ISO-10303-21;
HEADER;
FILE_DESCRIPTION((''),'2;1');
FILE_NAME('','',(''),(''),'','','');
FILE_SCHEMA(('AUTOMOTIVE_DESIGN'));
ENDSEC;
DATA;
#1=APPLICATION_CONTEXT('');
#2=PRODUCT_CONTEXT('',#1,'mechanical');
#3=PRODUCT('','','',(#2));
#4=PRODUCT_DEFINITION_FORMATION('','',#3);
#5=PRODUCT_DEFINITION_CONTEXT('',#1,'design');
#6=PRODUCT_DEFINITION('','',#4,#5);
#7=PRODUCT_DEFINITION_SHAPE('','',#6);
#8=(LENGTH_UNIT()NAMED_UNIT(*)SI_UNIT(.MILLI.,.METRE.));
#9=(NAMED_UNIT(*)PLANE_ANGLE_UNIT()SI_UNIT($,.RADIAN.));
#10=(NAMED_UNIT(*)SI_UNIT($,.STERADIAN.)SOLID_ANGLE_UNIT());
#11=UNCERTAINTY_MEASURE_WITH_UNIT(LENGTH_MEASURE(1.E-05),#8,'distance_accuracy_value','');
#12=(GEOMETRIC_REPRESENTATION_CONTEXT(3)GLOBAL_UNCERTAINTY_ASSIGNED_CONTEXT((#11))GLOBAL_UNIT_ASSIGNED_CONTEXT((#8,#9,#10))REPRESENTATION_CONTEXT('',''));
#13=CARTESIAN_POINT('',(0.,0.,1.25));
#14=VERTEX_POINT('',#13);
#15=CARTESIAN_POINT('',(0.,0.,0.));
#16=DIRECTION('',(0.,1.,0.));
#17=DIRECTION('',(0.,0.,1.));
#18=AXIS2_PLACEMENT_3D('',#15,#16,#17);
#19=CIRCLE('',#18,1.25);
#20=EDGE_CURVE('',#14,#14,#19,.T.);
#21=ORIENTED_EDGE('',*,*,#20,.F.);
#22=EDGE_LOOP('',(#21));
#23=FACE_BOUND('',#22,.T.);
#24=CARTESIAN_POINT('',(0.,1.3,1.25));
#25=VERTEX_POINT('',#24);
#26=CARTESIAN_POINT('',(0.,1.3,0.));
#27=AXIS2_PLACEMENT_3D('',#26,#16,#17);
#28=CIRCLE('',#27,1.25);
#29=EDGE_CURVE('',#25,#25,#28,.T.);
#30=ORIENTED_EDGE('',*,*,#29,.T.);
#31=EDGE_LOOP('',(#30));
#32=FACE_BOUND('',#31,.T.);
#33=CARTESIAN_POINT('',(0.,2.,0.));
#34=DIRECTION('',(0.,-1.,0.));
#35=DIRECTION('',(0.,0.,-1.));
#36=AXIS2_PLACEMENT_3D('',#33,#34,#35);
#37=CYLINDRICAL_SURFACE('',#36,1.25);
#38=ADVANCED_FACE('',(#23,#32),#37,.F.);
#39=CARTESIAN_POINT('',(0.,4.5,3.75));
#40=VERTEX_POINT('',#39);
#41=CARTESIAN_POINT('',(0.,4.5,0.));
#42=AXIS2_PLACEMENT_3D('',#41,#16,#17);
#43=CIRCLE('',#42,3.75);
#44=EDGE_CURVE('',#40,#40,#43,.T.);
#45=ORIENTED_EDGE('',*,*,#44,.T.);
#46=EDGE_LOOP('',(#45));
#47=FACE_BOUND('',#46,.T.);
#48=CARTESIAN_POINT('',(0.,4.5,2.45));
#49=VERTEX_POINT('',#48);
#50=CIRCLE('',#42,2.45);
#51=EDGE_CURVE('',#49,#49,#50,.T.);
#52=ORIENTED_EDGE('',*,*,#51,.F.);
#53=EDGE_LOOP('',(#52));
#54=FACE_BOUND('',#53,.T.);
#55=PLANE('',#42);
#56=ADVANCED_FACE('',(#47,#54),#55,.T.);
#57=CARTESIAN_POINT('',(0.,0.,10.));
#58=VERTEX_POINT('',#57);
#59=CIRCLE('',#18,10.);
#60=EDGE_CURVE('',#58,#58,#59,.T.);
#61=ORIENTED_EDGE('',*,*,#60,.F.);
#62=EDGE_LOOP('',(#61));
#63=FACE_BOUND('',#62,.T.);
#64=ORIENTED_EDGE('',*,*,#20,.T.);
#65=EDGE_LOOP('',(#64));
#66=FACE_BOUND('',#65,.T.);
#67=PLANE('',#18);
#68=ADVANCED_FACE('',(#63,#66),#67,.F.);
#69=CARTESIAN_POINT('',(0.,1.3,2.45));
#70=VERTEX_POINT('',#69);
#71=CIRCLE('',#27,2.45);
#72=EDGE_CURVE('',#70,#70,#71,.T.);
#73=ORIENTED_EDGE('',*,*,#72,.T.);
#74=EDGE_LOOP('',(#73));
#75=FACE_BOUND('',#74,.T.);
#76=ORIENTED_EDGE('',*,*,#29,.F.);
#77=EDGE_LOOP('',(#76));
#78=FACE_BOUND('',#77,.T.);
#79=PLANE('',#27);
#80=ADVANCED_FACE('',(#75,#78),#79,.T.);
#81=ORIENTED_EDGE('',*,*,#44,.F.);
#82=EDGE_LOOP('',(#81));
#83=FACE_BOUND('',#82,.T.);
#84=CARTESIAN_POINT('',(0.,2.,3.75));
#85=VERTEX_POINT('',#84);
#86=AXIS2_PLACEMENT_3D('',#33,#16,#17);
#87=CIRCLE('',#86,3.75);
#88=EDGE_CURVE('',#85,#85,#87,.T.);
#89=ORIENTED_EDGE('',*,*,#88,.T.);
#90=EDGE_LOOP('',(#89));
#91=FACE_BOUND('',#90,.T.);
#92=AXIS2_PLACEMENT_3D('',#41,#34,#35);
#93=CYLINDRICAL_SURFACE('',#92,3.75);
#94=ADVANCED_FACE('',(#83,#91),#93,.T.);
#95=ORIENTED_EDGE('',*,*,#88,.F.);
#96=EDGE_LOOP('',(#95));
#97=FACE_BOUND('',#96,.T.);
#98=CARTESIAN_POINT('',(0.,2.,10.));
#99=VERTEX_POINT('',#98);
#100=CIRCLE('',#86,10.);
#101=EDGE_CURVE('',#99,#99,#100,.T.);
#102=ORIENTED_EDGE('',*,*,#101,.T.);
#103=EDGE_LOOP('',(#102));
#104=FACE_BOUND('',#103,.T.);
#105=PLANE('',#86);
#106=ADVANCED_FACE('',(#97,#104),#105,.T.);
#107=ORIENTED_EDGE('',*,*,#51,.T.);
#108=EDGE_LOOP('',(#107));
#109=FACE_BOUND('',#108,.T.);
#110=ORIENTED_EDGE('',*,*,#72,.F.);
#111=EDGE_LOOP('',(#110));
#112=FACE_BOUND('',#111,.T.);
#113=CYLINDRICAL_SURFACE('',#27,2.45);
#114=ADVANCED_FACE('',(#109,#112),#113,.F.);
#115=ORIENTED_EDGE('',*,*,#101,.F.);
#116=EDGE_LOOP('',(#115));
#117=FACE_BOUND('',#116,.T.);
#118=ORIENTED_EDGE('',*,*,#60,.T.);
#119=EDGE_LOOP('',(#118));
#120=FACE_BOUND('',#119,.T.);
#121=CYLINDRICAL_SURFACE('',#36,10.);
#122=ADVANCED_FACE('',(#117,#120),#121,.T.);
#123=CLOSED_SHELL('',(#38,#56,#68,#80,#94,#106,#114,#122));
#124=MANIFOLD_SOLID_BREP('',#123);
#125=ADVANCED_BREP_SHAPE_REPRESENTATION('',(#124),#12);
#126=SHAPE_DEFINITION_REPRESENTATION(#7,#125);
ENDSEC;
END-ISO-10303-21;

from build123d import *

# Parameters (mm, degrees)
SKETCH_1_R          = 10
SKETCH_1_R_2        = 1.25
EXTRUDE_1_DEPTH     = 2
SKETCH_2_R          = 3.75
EXTRUDE_2_DEPTH     = 2.5
SKETCH_4_R          = 2.45
CUT_EXTRUDE_1_DEPTH = 3.2


with BuildPart() as part:
    # 草图1 → 凸台-拉伸1 (new body)
    with BuildSketch(Plane(origin=(0, 0, 0), x_dir=(1, 0, 0), z_dir=(0, 1, 0))):
        with Locations(Location((0, 0, 0), (0, 0, 270))):
            Circle(SKETCH_1_R)
        with Locations(Location((0, 0, 0), (0, 0, 270))):
            Circle(SKETCH_1_R_2, mode=Mode.SUBTRACT)
    extrude(amount=EXTRUDE_1_DEPTH)

    # 草图2 → 凸台-拉伸2 (add)
    with BuildSketch(Plane(origin=(0, 2, 0), x_dir=(1, 0, 0), z_dir=(0, 1, 0))):
        with Locations(Location((0, 0, 0), (0, 0, 270))):
            Circle(SKETCH_2_R)
    extrude(amount=EXTRUDE_2_DEPTH)

    # 草图4 → 切除-拉伸1 (cut)
    with BuildSketch(Plane(origin=(0, 4.5, 0), x_dir=(1, 0, 0), z_dir=(0, 1, 0))):
        with Locations(Location((0, 0, 0), (0, 0, 270))):
            Circle(SKETCH_4_R)
    extrude(amount=-CUT_EXTRUDE_1_DEPTH, mode=Mode.SUBTRACT)


solid = part.part
